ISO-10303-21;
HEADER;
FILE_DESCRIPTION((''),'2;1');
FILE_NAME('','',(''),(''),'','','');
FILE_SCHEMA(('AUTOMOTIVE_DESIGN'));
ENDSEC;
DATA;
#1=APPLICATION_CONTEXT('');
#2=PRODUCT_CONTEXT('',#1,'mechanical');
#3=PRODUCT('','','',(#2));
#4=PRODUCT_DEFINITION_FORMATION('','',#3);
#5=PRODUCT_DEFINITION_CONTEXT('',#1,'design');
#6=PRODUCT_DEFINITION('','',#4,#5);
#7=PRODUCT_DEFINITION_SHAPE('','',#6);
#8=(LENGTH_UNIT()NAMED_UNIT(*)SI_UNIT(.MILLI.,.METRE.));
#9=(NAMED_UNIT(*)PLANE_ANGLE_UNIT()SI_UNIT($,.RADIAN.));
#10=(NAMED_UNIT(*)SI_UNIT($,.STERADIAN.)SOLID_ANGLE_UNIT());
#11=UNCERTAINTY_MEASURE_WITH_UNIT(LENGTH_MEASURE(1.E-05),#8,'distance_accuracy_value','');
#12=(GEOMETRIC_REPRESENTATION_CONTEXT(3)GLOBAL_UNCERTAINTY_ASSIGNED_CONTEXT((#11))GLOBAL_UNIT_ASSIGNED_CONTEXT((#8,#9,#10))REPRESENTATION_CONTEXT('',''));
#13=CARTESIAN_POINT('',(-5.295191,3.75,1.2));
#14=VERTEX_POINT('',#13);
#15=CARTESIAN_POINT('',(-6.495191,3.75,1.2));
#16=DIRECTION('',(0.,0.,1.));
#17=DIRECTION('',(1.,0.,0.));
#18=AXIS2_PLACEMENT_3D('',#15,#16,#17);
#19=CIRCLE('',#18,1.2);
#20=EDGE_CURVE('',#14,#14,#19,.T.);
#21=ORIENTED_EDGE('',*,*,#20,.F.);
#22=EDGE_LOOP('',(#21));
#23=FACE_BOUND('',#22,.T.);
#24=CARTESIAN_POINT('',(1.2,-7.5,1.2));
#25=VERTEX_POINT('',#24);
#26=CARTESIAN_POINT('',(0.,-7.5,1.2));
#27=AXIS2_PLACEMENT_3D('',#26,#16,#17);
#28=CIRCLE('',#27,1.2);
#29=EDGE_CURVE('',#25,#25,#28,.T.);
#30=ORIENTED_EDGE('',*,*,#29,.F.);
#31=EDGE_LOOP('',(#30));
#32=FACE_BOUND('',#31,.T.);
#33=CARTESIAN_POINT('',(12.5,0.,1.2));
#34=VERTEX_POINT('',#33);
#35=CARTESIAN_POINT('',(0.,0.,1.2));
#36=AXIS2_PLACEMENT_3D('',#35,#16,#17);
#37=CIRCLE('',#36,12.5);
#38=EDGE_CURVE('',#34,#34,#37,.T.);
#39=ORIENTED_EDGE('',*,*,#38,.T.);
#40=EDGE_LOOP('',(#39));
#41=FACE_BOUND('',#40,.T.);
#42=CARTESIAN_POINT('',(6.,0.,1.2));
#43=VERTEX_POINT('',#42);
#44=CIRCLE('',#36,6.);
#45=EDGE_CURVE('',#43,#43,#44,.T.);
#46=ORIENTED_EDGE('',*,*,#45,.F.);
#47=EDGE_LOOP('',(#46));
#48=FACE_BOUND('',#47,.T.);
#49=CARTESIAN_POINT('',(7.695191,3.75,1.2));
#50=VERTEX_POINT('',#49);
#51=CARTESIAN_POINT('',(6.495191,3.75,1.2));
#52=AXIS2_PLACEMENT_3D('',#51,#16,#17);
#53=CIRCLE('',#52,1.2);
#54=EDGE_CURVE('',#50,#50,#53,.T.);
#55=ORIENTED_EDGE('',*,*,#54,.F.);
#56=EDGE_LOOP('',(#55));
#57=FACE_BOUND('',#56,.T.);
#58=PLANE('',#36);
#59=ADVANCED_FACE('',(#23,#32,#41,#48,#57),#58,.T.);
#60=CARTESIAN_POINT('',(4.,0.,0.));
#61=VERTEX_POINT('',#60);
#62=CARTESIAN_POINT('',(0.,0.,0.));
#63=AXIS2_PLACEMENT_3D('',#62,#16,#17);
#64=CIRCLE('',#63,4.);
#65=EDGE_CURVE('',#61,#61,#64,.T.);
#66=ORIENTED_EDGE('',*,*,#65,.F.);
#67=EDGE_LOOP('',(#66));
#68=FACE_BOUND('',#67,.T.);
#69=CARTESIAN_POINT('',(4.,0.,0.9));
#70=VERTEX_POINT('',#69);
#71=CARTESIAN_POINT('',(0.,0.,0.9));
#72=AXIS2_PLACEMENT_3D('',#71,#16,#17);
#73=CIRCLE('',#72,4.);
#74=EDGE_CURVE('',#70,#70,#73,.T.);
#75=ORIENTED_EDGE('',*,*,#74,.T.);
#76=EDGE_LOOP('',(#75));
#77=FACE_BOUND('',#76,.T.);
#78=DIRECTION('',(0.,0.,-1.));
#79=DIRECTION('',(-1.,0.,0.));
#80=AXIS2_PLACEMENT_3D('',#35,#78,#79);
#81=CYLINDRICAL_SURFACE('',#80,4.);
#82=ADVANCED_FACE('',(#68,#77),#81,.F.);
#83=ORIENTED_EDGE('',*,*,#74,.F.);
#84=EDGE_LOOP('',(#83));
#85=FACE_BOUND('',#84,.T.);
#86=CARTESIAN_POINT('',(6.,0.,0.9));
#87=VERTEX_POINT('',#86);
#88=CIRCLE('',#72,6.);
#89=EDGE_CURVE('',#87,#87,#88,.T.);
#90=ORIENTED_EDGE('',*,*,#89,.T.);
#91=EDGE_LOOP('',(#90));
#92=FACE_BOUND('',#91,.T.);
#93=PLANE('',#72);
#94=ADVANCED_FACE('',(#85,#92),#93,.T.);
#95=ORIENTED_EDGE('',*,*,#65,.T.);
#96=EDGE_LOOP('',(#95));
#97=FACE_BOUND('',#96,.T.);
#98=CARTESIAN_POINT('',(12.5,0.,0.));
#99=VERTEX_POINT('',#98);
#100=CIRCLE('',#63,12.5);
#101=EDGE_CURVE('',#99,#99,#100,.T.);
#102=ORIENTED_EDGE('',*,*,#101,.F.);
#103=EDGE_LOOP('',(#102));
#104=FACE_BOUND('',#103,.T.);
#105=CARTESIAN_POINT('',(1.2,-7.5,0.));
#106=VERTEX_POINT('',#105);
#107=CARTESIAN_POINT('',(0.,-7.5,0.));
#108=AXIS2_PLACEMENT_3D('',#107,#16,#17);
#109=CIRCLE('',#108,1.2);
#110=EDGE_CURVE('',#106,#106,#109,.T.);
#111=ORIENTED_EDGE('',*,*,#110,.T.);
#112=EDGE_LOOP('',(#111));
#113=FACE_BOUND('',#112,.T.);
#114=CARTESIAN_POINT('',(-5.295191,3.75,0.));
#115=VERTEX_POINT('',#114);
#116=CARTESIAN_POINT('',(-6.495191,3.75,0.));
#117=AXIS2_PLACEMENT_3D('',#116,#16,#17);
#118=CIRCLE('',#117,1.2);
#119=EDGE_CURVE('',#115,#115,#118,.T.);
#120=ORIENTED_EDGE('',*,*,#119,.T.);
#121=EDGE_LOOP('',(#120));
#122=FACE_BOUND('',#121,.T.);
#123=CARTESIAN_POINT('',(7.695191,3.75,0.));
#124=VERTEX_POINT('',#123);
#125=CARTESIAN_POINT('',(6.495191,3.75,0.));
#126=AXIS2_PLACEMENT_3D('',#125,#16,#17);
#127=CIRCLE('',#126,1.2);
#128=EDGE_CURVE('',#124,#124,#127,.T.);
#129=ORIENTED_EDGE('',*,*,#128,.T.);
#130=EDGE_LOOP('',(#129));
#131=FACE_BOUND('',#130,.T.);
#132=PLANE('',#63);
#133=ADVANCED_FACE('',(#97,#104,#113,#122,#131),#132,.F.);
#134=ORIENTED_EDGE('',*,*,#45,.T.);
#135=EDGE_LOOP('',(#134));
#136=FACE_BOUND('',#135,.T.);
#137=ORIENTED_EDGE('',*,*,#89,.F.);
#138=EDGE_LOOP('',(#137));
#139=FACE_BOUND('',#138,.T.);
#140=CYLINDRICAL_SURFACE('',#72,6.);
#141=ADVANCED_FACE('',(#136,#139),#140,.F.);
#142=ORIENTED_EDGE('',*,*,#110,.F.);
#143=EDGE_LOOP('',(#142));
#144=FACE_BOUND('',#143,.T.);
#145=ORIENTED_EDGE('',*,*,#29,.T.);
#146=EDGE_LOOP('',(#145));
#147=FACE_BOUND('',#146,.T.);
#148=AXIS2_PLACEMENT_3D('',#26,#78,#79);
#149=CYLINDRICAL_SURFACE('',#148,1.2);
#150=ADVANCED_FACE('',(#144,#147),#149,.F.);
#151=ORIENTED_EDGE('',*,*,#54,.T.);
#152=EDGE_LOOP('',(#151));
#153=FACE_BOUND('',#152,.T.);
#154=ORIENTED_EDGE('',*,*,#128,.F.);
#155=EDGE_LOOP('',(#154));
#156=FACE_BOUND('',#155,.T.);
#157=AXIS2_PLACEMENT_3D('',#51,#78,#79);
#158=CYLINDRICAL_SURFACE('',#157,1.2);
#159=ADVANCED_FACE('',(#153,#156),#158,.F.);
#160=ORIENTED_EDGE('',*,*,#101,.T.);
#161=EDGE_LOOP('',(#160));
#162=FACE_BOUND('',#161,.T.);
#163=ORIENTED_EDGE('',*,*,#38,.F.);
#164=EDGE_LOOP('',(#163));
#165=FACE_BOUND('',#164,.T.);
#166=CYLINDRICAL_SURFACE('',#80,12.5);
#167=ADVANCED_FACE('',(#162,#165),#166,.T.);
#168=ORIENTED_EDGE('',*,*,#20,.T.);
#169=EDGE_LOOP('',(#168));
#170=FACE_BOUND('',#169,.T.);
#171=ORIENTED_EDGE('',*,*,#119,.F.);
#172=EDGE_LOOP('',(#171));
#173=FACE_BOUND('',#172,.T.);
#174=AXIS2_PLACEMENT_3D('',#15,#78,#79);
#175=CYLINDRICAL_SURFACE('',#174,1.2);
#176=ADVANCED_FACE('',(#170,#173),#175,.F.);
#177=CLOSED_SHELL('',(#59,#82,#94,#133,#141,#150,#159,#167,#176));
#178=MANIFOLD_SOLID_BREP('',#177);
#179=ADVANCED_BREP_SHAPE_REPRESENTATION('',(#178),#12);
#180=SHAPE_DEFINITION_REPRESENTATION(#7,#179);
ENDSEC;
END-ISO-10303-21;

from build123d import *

# Parameters (mm, degrees)
SKETCH_1_R          = 12.5
SKETCH_1_R_2        = 4
SKETCH_1_R_3        = 1.2
EXTRUDE_1_DEPTH     = 1.2
SKETCH_3_R          = 6
CUT_EXTRUDE_2_DEPTH = 0.3


with BuildPart() as part:
    # 草图1 → 凸台-拉伸1 (new body)
    with BuildSketch(Plane.XY):
        Circle(SKETCH_1_R)
        Circle(SKETCH_1_R_2, mode=Mode.SUBTRACT)
        with Locations((0, -7.5)):
            Circle(SKETCH_1_R_3, mode=Mode.SUBTRACT)
        with Locations((-6.495190528, 3.75)):
            Circle(SKETCH_1_R_3, mode=Mode.SUBTRACT)
        with Locations((6.495190528, 3.75)):
            Circle(SKETCH_1_R_3, mode=Mode.SUBTRACT)
    extrude(amount=EXTRUDE_1_DEPTH)

    # 草图3 → 切除-拉伸2 (cut)
    with BuildSketch(Plane.XY.offset(1.2)):
        Circle(SKETCH_3_R)
    extrude(amount=-CUT_EXTRUDE_2_DEPTH, mode=Mode.SUBTRACT)


solid = part.part
